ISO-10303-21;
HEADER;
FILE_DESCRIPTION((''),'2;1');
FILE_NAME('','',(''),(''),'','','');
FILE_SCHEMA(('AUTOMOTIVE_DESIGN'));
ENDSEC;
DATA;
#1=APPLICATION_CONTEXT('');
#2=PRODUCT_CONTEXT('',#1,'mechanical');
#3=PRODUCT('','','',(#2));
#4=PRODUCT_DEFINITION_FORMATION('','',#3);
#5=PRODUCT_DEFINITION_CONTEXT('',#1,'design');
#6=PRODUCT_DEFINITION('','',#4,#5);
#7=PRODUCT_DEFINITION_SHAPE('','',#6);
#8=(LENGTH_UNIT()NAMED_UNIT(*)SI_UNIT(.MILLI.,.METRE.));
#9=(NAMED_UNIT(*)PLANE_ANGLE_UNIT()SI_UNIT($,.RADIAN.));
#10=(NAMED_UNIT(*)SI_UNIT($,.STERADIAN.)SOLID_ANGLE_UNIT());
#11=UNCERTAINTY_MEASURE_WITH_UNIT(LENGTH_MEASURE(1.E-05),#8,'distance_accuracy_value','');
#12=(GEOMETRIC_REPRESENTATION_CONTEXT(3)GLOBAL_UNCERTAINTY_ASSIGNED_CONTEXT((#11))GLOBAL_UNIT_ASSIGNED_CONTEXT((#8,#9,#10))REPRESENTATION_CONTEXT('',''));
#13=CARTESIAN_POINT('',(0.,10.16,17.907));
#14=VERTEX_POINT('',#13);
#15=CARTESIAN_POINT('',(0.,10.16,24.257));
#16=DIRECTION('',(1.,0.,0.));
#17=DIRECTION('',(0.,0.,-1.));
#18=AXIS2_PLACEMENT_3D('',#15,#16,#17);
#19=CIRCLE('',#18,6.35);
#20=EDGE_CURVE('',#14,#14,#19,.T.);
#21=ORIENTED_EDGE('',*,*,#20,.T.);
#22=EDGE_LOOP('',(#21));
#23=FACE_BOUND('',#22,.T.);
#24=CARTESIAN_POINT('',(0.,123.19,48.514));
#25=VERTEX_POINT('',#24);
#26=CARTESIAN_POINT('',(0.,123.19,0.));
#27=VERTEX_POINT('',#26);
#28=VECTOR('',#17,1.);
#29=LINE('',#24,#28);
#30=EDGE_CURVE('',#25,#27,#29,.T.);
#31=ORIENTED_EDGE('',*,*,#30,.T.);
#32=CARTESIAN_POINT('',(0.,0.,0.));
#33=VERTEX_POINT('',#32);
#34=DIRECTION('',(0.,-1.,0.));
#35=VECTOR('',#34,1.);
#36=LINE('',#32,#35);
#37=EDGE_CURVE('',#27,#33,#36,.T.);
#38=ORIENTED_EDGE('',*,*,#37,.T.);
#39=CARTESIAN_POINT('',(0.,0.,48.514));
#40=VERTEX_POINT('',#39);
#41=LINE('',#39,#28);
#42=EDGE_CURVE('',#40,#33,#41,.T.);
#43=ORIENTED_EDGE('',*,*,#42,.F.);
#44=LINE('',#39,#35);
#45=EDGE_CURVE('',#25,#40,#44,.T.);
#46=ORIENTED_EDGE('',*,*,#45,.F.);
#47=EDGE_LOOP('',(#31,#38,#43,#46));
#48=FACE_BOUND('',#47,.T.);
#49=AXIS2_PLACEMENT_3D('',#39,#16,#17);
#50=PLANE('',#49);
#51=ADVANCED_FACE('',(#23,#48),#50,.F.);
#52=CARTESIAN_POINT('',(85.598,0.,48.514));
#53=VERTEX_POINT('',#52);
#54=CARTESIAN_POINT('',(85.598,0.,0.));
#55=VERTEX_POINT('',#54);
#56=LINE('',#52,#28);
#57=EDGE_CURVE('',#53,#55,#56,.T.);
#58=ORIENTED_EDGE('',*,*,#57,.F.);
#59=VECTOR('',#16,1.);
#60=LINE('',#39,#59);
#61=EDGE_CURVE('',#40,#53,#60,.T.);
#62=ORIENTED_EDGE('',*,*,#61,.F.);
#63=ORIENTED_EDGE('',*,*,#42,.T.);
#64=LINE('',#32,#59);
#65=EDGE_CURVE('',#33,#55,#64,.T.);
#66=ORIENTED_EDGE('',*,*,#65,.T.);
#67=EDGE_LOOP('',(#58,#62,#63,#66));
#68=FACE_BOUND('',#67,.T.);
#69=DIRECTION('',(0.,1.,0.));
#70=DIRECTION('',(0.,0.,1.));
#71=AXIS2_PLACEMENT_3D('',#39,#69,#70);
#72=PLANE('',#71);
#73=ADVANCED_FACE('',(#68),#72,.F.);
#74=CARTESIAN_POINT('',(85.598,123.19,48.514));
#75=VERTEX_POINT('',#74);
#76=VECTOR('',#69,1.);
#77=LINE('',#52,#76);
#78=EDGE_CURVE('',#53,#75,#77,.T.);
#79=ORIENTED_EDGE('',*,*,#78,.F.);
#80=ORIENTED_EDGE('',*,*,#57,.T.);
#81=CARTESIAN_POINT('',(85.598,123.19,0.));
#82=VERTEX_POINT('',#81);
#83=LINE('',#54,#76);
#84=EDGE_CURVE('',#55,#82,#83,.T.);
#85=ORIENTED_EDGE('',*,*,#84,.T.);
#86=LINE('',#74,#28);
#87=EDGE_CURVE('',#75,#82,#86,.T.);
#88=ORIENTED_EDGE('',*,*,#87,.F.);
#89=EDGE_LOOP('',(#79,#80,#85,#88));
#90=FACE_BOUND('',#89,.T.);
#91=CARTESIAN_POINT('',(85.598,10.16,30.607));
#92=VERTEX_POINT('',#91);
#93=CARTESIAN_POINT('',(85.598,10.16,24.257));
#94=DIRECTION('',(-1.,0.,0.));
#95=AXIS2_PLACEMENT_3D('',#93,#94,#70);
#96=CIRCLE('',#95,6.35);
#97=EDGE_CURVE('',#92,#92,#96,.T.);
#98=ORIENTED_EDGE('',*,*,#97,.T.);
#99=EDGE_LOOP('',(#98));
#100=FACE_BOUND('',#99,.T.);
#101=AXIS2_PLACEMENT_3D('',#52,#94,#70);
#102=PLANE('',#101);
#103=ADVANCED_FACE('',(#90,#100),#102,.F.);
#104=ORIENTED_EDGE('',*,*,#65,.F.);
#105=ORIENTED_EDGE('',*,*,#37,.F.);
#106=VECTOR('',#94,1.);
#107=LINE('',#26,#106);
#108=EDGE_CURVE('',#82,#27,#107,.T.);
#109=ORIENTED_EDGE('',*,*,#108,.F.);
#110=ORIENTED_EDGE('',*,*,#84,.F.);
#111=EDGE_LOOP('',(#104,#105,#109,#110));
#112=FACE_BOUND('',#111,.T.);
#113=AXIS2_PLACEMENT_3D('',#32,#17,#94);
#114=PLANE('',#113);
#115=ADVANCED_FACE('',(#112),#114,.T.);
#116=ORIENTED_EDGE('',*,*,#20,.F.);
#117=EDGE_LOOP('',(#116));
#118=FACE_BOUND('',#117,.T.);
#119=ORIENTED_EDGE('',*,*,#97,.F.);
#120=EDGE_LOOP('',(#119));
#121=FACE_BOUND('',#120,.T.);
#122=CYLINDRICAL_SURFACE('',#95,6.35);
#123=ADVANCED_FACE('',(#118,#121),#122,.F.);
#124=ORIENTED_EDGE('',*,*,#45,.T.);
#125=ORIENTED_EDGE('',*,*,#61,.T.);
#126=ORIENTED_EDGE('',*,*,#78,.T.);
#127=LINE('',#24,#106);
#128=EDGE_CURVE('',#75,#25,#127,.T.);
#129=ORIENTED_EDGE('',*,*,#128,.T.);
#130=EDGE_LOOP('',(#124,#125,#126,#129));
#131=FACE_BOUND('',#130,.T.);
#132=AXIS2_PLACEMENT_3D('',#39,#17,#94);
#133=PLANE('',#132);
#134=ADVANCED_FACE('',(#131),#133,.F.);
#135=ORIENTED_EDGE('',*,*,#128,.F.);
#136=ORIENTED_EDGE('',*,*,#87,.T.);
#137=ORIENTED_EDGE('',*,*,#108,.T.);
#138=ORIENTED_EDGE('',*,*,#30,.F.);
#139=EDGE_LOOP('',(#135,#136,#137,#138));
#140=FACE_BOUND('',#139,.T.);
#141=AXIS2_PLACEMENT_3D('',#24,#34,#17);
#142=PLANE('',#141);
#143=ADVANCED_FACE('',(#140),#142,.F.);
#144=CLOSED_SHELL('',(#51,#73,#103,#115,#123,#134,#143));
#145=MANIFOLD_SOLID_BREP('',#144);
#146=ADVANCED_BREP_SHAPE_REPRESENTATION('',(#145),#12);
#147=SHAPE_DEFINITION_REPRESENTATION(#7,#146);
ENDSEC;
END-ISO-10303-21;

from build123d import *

# Parameters (mm, degrees)
SKETCH2_W               = 85.598
SKETCH2_H               = 123.19
BOSS_EXTRUDE1_DEPTH     = 48.514
CUT_EXTRUDE1_DEPTH      = 158.659131991
CUT_EXTRUDE1_DEPTH_BACK = 158.659131991
SKETCH3_R               = 6.35


with BuildPart() as part:
    # Sketch2 → Boss-Extrude1 (new body)
    with BuildSketch(Plane.XY):
        with Locations((42.799, 61.595)):
            Rectangle(SKETCH2_W, SKETCH2_H)
    extrude(amount=BOSS_EXTRUDE1_DEPTH)

    # Sketch3 → Cut-Extrude1 (cut, two sides: drawn at the far end of the back side and taken through both)
    with BuildSketch(Plane.ZY.offset(-CUT_EXTRUDE1_DEPTH_BACK)):
        with Locations((24.257, 10.16)):
            Circle(SKETCH3_R)
    extrude(amount=CUT_EXTRUDE1_DEPTH + CUT_EXTRUDE1_DEPTH_BACK, mode=Mode.SUBTRACT)


solid = part.part
